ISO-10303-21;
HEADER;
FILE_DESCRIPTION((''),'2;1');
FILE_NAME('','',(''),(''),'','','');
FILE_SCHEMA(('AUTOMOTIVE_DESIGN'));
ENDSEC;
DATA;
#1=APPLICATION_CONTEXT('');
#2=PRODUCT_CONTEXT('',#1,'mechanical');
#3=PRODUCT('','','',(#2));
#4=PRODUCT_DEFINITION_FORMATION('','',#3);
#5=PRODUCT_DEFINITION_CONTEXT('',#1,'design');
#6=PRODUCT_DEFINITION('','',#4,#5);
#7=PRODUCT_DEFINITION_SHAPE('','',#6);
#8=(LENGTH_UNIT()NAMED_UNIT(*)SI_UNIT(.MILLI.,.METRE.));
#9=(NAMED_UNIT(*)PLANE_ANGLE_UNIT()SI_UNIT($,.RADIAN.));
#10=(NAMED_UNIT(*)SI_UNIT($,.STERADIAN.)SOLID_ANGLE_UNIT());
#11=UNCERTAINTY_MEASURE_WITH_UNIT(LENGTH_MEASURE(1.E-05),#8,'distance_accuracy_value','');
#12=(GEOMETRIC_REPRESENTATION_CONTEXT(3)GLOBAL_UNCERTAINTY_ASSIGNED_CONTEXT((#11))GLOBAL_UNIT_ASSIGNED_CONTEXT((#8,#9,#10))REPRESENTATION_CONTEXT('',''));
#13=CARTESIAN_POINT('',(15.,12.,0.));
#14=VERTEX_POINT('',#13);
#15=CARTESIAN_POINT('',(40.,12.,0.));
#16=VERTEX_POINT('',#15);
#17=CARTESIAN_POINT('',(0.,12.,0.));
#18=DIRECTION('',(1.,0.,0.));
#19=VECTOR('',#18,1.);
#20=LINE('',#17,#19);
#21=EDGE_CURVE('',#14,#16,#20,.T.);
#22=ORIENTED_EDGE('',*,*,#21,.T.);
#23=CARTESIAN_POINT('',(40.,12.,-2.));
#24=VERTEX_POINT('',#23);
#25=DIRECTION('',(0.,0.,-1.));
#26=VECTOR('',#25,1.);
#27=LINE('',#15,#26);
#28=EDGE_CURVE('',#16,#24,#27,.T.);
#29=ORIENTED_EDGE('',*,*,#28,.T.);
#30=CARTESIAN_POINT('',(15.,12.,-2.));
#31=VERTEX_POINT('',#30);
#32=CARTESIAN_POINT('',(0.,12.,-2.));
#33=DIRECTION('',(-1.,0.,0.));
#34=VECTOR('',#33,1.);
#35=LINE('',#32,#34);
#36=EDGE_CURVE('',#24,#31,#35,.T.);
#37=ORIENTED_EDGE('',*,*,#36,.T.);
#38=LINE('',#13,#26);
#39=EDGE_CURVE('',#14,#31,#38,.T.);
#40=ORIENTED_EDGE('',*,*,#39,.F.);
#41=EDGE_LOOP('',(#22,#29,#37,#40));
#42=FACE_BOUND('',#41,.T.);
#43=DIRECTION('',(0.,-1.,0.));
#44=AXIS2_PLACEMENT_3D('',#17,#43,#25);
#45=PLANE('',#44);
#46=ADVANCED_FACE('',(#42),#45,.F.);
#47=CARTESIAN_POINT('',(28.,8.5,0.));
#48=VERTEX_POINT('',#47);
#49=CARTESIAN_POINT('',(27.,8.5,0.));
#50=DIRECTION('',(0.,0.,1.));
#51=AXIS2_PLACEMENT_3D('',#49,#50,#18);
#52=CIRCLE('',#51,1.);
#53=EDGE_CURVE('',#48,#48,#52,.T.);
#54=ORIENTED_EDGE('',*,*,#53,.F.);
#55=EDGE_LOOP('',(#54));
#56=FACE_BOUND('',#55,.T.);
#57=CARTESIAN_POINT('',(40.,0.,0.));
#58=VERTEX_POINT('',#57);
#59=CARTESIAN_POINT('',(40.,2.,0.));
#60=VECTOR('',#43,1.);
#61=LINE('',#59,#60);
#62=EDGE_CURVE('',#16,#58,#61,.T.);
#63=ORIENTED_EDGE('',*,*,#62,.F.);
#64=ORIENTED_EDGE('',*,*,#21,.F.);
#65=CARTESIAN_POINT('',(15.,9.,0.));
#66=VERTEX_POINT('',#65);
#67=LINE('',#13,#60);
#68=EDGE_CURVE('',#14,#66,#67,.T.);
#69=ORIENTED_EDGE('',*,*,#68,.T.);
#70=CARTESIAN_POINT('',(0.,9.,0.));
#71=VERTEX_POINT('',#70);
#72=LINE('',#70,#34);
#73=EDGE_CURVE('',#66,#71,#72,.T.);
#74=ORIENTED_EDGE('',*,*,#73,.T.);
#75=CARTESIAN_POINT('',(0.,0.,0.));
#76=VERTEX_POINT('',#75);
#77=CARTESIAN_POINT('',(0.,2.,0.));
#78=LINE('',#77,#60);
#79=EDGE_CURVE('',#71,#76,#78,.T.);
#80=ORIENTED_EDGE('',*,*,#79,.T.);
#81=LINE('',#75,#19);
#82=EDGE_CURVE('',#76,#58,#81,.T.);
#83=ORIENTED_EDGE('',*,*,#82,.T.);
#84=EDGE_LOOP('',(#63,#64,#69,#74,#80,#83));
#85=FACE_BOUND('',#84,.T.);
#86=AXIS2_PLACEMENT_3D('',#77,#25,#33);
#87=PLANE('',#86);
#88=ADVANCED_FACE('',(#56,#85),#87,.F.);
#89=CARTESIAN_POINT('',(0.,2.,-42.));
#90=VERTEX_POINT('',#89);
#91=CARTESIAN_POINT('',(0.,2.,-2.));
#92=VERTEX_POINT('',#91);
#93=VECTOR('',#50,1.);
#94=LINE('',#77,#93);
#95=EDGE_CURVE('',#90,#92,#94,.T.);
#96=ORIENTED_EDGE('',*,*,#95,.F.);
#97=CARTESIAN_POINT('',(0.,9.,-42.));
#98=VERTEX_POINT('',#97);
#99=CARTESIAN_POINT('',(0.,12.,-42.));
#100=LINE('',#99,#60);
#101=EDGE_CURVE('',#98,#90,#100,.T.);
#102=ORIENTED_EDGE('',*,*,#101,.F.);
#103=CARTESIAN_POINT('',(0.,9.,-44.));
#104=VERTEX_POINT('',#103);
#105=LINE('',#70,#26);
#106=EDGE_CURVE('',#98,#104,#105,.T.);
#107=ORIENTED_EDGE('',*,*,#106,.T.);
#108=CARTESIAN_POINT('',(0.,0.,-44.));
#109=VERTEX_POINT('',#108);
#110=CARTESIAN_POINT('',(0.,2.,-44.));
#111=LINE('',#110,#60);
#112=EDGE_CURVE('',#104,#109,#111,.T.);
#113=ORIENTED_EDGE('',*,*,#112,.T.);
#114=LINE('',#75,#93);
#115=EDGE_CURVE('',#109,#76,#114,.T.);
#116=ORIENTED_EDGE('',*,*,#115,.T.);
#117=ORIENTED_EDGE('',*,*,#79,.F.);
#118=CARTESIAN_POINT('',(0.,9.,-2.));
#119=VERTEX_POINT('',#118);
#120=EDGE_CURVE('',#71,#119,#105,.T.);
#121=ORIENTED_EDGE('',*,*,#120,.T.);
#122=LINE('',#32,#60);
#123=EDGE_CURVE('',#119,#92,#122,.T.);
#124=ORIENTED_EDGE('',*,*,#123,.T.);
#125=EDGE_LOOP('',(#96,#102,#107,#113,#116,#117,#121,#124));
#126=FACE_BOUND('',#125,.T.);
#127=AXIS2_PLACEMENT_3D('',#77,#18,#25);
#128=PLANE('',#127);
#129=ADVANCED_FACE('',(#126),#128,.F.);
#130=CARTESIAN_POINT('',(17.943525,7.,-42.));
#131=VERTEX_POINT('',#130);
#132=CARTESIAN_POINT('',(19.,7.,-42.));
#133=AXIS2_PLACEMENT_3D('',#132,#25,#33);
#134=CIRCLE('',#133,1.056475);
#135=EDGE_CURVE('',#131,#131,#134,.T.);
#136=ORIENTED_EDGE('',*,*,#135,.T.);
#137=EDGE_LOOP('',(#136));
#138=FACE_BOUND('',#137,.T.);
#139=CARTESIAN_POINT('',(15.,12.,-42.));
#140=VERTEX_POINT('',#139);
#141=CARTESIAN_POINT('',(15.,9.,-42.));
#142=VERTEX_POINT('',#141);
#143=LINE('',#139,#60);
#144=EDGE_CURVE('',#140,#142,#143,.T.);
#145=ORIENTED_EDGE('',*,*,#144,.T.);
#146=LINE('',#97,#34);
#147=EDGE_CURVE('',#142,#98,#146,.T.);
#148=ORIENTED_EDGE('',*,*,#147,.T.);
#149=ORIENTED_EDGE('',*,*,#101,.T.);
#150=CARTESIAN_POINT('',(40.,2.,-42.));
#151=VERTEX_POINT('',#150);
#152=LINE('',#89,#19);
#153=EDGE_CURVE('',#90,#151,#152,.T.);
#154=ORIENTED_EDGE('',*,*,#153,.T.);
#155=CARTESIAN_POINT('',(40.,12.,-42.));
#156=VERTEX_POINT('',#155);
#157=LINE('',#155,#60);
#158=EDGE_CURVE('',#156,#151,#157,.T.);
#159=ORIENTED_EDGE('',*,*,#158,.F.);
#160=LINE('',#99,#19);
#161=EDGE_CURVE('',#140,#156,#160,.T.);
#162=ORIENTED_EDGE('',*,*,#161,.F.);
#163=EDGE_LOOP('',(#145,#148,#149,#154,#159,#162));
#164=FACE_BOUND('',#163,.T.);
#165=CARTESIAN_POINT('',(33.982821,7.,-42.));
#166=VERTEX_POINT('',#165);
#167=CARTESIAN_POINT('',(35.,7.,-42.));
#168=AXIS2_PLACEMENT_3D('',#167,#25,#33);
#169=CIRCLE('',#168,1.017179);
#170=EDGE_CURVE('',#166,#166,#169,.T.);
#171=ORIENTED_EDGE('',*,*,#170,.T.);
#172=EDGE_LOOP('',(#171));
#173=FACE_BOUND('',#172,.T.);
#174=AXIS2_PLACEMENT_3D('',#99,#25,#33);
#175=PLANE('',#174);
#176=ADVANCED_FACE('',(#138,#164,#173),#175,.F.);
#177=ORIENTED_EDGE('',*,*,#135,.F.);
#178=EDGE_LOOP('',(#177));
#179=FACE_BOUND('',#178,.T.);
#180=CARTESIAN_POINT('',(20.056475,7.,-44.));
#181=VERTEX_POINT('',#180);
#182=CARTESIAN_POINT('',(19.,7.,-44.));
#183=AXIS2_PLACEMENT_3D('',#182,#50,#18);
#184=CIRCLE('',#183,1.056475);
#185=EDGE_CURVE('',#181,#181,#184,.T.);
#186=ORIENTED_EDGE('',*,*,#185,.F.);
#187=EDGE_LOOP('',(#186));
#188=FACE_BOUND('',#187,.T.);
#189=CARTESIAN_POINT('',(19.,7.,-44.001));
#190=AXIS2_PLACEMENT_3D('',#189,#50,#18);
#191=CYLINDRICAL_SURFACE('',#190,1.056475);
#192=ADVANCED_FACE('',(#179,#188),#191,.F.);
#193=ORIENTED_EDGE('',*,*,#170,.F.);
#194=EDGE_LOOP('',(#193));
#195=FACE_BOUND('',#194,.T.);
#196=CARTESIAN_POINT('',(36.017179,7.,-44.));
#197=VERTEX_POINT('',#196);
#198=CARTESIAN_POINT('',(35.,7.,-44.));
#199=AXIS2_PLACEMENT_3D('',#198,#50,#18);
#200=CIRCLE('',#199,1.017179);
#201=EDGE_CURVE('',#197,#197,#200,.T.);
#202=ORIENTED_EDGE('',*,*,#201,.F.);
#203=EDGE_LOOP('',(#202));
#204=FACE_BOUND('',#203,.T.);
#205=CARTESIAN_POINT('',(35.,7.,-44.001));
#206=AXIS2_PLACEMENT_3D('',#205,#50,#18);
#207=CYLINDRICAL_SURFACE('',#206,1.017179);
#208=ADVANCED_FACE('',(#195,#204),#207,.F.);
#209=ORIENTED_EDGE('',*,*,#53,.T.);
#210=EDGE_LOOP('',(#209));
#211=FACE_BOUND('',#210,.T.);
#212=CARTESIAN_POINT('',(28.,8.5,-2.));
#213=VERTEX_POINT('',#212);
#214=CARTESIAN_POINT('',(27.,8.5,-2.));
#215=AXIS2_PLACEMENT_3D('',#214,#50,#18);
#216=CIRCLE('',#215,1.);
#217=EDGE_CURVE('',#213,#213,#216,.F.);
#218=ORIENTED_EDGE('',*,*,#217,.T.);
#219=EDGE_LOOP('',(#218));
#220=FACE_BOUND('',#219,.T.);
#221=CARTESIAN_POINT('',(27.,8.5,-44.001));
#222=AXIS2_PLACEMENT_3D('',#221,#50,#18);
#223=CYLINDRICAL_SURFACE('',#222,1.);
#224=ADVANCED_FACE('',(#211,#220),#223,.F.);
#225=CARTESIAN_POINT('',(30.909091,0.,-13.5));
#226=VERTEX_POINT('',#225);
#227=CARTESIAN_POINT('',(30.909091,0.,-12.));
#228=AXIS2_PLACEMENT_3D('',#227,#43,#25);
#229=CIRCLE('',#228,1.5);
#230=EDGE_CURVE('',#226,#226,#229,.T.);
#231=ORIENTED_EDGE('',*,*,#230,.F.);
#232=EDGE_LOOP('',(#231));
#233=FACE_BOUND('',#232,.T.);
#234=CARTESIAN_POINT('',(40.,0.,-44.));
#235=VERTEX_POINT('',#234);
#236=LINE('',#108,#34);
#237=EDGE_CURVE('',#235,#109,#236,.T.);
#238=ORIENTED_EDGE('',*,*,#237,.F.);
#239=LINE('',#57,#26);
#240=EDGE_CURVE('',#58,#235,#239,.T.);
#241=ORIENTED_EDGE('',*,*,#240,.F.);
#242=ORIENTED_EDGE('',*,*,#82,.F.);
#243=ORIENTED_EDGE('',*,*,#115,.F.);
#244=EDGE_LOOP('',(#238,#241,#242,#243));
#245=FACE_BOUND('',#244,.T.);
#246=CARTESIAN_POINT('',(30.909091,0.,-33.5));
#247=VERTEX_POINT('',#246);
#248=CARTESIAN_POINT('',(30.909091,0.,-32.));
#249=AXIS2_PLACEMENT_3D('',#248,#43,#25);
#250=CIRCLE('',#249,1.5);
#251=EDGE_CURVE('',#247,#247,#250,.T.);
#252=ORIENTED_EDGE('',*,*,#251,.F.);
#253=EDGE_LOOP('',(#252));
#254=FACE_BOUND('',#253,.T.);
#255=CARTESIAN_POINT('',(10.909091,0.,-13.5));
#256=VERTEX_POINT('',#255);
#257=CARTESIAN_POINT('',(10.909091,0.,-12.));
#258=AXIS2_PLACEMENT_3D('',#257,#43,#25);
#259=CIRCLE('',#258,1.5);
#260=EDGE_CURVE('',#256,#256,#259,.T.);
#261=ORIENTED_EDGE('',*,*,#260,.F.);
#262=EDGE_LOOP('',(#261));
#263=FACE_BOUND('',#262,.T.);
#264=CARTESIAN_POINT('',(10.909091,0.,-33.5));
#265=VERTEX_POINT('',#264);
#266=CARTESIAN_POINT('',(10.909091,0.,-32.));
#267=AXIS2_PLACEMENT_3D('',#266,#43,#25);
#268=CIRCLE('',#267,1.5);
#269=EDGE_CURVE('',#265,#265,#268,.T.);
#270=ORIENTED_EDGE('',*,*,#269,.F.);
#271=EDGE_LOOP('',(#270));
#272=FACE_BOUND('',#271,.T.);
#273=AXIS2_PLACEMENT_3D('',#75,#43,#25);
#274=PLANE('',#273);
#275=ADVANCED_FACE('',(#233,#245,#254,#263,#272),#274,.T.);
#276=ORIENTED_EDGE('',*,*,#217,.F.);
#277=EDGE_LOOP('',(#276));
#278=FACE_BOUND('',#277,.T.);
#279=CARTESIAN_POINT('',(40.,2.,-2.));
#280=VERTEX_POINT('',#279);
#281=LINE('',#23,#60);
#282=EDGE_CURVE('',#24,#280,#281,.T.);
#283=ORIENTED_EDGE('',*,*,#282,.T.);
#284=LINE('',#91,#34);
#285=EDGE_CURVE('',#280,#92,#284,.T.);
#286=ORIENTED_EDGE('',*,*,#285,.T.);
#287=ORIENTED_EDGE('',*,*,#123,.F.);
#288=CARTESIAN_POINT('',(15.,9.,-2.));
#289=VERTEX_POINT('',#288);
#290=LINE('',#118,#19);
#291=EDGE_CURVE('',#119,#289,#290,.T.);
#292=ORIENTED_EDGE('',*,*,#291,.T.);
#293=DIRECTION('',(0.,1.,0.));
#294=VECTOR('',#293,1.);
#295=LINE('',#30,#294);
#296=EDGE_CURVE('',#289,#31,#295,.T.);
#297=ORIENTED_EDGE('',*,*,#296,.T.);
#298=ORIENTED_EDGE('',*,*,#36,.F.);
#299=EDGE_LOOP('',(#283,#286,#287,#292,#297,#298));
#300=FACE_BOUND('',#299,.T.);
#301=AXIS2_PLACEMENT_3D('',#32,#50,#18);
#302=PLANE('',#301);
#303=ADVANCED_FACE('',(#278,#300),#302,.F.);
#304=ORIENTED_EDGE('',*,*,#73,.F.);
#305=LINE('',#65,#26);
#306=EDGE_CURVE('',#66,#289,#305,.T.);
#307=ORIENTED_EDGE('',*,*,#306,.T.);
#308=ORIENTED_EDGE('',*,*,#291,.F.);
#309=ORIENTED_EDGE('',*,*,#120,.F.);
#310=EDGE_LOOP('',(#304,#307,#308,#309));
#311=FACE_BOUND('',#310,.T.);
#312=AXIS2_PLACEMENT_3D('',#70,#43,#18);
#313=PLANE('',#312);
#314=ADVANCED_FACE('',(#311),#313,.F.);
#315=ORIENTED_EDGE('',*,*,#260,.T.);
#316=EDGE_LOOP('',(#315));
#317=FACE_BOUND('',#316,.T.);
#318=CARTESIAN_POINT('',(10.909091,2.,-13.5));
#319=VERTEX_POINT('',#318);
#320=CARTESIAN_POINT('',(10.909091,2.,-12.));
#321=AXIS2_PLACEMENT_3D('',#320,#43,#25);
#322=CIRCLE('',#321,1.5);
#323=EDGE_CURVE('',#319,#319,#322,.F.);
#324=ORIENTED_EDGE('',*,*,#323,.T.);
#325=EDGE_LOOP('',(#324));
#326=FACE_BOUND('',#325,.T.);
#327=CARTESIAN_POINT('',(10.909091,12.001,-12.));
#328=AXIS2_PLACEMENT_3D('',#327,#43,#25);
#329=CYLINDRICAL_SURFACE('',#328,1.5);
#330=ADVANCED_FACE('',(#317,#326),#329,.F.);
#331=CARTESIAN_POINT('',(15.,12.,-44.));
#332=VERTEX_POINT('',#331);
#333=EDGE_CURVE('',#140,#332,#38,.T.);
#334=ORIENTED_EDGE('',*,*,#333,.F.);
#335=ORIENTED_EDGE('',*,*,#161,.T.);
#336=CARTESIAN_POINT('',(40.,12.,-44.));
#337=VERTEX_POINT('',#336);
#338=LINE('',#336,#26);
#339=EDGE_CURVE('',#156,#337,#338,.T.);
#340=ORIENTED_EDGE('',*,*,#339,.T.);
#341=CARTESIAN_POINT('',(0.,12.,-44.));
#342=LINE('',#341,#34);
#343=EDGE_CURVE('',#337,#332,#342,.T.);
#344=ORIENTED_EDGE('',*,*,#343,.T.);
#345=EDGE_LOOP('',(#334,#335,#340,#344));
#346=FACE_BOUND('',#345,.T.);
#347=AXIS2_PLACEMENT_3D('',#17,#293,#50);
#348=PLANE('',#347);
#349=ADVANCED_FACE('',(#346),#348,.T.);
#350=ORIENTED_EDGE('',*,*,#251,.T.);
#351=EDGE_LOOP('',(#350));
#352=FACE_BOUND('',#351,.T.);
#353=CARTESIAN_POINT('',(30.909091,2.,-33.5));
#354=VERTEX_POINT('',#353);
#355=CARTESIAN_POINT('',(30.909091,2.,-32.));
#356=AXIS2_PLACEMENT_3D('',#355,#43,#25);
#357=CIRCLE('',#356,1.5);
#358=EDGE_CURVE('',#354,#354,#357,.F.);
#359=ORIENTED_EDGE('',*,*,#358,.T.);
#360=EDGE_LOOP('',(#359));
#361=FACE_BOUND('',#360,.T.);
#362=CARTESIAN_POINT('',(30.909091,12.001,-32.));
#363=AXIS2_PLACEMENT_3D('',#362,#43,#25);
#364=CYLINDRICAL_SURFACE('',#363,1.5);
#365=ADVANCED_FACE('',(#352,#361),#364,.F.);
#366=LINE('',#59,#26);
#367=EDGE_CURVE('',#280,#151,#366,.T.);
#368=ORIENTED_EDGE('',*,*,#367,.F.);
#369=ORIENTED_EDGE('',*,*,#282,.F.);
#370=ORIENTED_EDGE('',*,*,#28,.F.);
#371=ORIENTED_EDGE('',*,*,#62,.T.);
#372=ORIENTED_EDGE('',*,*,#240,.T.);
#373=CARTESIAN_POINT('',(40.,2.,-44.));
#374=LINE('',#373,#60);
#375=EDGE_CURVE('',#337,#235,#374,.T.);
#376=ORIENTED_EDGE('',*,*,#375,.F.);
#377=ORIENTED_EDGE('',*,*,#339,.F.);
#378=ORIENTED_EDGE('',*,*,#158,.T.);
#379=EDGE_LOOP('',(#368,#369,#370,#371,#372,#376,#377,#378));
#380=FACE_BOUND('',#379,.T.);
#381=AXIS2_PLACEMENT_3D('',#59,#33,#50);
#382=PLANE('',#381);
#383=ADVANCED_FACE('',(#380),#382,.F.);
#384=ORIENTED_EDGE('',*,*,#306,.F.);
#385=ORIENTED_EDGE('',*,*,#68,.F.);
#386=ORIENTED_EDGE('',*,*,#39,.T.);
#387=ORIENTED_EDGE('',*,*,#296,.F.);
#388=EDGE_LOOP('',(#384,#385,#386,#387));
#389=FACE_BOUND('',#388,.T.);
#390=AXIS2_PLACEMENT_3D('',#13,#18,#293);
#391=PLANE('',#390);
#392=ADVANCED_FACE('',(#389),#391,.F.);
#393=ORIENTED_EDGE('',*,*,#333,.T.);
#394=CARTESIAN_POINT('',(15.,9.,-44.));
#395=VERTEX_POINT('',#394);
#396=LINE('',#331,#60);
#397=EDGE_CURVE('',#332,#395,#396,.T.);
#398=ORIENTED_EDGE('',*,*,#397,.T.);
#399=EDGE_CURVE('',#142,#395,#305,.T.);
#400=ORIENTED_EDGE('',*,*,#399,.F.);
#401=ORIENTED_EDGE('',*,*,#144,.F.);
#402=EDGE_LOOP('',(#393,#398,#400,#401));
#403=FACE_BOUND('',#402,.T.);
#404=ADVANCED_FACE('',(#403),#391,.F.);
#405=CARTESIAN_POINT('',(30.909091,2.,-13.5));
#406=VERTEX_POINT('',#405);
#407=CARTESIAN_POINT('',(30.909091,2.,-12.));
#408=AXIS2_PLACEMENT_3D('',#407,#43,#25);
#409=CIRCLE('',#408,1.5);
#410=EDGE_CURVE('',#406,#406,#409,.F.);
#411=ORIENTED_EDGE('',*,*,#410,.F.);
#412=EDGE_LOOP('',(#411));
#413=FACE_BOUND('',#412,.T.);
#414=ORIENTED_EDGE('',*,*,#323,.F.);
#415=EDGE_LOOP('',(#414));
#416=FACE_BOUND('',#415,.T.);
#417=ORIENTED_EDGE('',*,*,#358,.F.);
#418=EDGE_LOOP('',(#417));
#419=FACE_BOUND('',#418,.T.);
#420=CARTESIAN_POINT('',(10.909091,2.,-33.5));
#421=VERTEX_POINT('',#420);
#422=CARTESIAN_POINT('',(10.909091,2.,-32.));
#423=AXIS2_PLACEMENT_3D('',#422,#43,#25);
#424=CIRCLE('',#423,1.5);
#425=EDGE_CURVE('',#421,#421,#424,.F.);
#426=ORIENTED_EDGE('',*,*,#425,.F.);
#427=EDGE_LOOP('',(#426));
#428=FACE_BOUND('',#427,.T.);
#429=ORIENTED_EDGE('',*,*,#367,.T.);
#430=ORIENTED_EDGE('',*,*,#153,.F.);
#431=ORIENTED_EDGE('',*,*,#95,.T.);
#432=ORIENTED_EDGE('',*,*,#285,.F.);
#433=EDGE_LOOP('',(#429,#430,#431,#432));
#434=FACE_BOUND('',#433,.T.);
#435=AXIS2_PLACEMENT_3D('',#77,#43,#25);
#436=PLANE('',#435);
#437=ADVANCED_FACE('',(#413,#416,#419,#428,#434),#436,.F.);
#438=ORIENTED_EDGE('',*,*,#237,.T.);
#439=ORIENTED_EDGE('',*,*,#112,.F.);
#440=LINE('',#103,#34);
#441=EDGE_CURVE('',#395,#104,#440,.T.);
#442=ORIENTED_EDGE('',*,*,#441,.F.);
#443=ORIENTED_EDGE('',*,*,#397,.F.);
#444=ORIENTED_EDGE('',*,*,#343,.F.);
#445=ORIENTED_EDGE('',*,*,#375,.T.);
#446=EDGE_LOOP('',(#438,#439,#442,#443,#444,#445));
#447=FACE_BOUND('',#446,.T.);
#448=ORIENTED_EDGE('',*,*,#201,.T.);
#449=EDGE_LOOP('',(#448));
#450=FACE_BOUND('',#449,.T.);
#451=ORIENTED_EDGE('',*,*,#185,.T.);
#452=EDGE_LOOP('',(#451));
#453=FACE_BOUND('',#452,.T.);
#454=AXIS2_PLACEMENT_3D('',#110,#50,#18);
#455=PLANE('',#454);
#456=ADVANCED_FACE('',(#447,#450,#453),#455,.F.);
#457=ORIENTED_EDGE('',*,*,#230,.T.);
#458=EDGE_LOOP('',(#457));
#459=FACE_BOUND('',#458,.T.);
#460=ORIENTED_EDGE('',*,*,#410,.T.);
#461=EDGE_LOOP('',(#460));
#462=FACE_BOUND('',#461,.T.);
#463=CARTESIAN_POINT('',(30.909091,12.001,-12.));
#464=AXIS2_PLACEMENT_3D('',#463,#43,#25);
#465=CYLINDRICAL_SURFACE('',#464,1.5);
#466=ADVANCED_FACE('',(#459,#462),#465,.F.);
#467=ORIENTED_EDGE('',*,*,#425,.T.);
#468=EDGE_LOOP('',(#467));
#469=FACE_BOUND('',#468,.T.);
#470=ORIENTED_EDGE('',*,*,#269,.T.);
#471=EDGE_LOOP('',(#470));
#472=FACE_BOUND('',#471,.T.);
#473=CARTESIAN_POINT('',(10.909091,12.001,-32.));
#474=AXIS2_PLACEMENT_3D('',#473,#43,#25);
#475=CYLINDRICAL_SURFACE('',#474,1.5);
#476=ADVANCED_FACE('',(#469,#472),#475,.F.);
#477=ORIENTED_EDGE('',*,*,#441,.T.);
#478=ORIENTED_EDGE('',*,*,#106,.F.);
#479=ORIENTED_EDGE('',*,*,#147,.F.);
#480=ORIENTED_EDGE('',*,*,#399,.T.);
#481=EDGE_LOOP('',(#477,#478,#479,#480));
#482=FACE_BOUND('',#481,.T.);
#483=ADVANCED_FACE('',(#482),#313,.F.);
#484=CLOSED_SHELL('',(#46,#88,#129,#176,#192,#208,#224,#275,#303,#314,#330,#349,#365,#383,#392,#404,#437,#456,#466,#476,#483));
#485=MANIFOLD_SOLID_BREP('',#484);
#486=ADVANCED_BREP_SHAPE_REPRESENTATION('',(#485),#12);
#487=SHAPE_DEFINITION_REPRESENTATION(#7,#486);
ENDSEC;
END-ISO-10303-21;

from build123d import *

# Parameters (mm, degrees)
SKETCH1_W           = 40
SKETCH1_H           = 44
BOSS_EXTRUDE1_DEPTH = 2
SKETCH2_W           = 40
SKETCH2_H           = 2
BOSS_EXTRUDE2_DEPTH = 10
SKETCH3_W           = 15
SKETCH3_H           = 3
CUT_EXTRUDE2_DEPTH  = 45
CUT_EXTRUDE3_REACH  = 4
SKETCH4_R           = 1.017178614
SKETCH4_R_2         = 1.056475415
CUT_EXTRUDE4_REACH  = 46
SKETCH5_R           = 1
CUT_EXTRUDE5_REACH  = 14
SKETCH6_R           = 1.5


with BuildPart() as part:
    # Sketch1 → Boss-Extrude1 (new body)
    with BuildSketch(Plane(origin=(0, 0, 0), x_dir=(1, 0, 0), z_dir=(0, 1, 0))):
        with Locations((20, 22)):
            Rectangle(SKETCH1_W, SKETCH1_H)
    extrude(amount=BOSS_EXTRUDE1_DEPTH)

    # Sketch2 → Boss-Extrude2 (add)
    with BuildSketch(Plane(origin=(0, 2, 0), x_dir=(1, 0, 0), z_dir=(0, 1, 0))):
        with Locations((20, 43)):
            Rectangle(SKETCH2_W, SKETCH2_H)
        with Locations((20, 1)):
            Rectangle(SKETCH2_W, SKETCH2_H)
    extrude(amount=BOSS_EXTRUDE2_DEPTH)

    # Sketch3 → Cut-Extrude2 (cut, through all)
    with BuildSketch(Plane(origin=(0, 0, -44), x_dir=(-1, 0, 0), z_dir=(0, 0, -1))):
        with Locations((-7.5, 10.5)):
            Rectangle(SKETCH3_W, SKETCH3_H)
    extrude(amount=-CUT_EXTRUDE2_DEPTH, mode=Mode.SUBTRACT)

    # Sketch4 → Cut-Extrude3 (cut, up to next)
    with BuildSketch(Plane(origin=(0, 0, -42), x_dir=(-1, 0, 0), z_dir=(0, 0, -1)), mode=Mode.PRIVATE) as cut_extrude3_sk1:
        with Locations((-35, 7)):
            Circle(SKETCH4_R)
    cut_extrude3_tool1 = extrude(cut_extrude3_sk1.sketch, amount=CUT_EXTRUDE3_REACH, mode=Mode.PRIVATE) & part.part
    add(cut_extrude3_tool1.solids().sort_by_distance((35, 7, -42))[0], mode=Mode.SUBTRACT)
    # Sketch4 → Cut-Extrude3 (cut, up to next)
    with BuildSketch(Plane(origin=(0, 0, -42), x_dir=(-1, 0, 0), z_dir=(0, 0, -1)), mode=Mode.PRIVATE) as cut_extrude3_sk2:
        with Locations((-19, 7)):
            Circle(SKETCH4_R_2)
    cut_extrude3_tool2 = extrude(cut_extrude3_sk2.sketch, amount=CUT_EXTRUDE3_REACH, mode=Mode.PRIVATE) & part.part
    add(cut_extrude3_tool2.solids().sort_by_distance((19, 7, -42))[0], mode=Mode.SUBTRACT)

    # Sketch5 → Cut-Extrude4 (cut, up to next)
    with BuildSketch(Plane.XY, mode=Mode.PRIVATE) as cut_extrude4_sk1:
        with Locations((27, 8.5)):
            Circle(SKETCH5_R)
    cut_extrude4_tool1 = extrude(cut_extrude4_sk1.sketch, amount=-CUT_EXTRUDE4_REACH, mode=Mode.PRIVATE) & part.part
    add(cut_extrude4_tool1.solids().sort_by_distance((27, 8.5, 0))[0], mode=Mode.SUBTRACT)

    # Sketch6 → Cut-Extrude5 (cut, up to next)
    with BuildSketch(Plane.XZ, mode=Mode.PRIVATE) as cut_extrude5_sk1:
        with Locations((10.909090909, -32)):
            Circle(SKETCH6_R)
    cut_extrude5_tool1 = extrude(cut_extrude5_sk1.sketch, amount=-CUT_EXTRUDE5_REACH, mode=Mode.PRIVATE) & part.part
    add(cut_extrude5_tool1.solids().sort_by_distance((10.909091, 0, -32))[0], mode=Mode.SUBTRACT)
    # Sketch6 → Cut-Extrude5 (cut, up to next)
    with BuildSketch(Plane.XZ, mode=Mode.PRIVATE) as cut_extrude5_sk2:
        with Locations((10.909090909, -12)):
            Circle(SKETCH6_R)
    cut_extrude5_tool2 = extrude(cut_extrude5_sk2.sketch, amount=-CUT_EXTRUDE5_REACH, mode=Mode.PRIVATE) & part.part
    add(cut_extrude5_tool2.solids().sort_by_distance((10.909091, 0, -12))[0], mode=Mode.SUBTRACT)
    # Sketch6 → Cut-Extrude5 (cut, up to next)
    with BuildSketch(Plane.XZ, mode=Mode.PRIVATE) as cut_extrude5_sk3:
        with Locations((30.909090909, -12)):
            Circle(SKETCH6_R)
    cut_extrude5_tool3 = extrude(cut_extrude5_sk3.sketch, amount=-CUT_EXTRUDE5_REACH, mode=Mode.PRIVATE) & part.part
    add(cut_extrude5_tool3.solids().sort_by_distance((30.909091, 0, -12))[0], mode=Mode.SUBTRACT)
    # Sketch6 → Cut-Extrude5 (cut, up to next)
    with BuildSketch(Plane.XZ, mode=Mode.PRIVATE) as cut_extrude5_sk4:
        with Locations((30.909090909, -32)):
            Circle(SKETCH6_R)
    cut_extrude5_tool4 = extrude(cut_extrude5_sk4.sketch, amount=-CUT_EXTRUDE5_REACH, mode=Mode.PRIVATE) & part.part
    add(cut_extrude5_tool4.solids().sort_by_distance((30.909091, 0, -32))[0], mode=Mode.SUBTRACT)


solid = part.part
